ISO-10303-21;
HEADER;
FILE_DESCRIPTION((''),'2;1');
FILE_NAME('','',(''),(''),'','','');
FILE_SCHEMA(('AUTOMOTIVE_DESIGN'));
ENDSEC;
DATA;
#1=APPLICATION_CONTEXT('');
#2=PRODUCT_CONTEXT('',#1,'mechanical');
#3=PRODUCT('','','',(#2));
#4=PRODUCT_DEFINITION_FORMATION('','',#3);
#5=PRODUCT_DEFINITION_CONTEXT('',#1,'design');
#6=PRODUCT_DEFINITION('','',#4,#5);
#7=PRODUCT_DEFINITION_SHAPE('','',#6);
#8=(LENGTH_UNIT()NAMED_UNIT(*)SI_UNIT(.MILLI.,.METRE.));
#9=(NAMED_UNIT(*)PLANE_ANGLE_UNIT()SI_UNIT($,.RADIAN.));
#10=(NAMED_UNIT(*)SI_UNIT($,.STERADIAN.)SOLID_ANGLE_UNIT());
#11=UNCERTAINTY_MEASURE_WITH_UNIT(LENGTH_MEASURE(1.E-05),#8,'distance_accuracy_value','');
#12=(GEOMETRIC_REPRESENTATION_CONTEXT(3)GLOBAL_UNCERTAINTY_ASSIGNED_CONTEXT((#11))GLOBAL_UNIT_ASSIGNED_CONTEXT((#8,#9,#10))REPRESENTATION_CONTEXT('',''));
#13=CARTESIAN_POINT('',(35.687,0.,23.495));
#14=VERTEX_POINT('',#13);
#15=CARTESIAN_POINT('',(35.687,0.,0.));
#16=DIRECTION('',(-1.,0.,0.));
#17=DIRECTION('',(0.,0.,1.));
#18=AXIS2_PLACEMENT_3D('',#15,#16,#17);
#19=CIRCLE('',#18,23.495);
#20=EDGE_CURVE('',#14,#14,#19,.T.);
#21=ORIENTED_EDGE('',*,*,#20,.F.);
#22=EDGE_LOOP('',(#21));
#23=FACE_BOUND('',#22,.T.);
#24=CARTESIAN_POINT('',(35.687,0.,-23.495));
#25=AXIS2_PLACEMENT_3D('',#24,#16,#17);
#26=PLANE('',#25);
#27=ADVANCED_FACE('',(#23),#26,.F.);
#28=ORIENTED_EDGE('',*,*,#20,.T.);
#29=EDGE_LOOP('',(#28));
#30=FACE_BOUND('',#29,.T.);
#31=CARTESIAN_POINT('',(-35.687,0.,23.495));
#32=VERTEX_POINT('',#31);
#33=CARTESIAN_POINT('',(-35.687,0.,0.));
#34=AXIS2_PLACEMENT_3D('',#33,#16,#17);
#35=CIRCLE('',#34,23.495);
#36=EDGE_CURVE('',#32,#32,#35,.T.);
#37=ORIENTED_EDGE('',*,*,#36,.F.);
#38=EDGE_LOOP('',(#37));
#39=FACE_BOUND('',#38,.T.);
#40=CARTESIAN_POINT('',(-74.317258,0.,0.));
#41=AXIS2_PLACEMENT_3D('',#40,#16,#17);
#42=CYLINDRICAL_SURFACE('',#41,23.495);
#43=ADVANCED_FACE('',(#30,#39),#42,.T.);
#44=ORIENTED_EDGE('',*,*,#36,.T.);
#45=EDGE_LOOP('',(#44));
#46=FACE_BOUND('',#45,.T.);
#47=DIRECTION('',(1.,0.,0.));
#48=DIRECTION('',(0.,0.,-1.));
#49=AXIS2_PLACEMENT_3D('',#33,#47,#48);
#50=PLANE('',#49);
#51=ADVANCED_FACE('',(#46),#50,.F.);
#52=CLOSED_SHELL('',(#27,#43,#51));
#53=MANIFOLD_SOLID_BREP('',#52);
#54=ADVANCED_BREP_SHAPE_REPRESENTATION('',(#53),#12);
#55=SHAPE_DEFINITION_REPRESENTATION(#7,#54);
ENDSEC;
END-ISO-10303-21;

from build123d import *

# Parameters (mm, degrees)
SKETCH1_W = 71.374
SKETCH1_H = 23.495


with BuildPart() as part:
    # Sketch1 → Revolve1 (revolve)
    with BuildSketch(Plane(origin=(0, 0, 0), x_dir=(1, 0, 0), z_dir=(0, 1, 0)), mode=Mode.PRIVATE) as revolve1_sk:
        with Locations((0, 11.7475)):
            Rectangle(SKETCH1_W, SKETCH1_H)
    revolve(revolve1_sk.sketch.rotate(Axis((-74.317257732, 0, 0), (1, 0, 0)), 180), axis=Axis((-74.317257732, 0, 0), (1, 0, 0)))


solid = part.part
